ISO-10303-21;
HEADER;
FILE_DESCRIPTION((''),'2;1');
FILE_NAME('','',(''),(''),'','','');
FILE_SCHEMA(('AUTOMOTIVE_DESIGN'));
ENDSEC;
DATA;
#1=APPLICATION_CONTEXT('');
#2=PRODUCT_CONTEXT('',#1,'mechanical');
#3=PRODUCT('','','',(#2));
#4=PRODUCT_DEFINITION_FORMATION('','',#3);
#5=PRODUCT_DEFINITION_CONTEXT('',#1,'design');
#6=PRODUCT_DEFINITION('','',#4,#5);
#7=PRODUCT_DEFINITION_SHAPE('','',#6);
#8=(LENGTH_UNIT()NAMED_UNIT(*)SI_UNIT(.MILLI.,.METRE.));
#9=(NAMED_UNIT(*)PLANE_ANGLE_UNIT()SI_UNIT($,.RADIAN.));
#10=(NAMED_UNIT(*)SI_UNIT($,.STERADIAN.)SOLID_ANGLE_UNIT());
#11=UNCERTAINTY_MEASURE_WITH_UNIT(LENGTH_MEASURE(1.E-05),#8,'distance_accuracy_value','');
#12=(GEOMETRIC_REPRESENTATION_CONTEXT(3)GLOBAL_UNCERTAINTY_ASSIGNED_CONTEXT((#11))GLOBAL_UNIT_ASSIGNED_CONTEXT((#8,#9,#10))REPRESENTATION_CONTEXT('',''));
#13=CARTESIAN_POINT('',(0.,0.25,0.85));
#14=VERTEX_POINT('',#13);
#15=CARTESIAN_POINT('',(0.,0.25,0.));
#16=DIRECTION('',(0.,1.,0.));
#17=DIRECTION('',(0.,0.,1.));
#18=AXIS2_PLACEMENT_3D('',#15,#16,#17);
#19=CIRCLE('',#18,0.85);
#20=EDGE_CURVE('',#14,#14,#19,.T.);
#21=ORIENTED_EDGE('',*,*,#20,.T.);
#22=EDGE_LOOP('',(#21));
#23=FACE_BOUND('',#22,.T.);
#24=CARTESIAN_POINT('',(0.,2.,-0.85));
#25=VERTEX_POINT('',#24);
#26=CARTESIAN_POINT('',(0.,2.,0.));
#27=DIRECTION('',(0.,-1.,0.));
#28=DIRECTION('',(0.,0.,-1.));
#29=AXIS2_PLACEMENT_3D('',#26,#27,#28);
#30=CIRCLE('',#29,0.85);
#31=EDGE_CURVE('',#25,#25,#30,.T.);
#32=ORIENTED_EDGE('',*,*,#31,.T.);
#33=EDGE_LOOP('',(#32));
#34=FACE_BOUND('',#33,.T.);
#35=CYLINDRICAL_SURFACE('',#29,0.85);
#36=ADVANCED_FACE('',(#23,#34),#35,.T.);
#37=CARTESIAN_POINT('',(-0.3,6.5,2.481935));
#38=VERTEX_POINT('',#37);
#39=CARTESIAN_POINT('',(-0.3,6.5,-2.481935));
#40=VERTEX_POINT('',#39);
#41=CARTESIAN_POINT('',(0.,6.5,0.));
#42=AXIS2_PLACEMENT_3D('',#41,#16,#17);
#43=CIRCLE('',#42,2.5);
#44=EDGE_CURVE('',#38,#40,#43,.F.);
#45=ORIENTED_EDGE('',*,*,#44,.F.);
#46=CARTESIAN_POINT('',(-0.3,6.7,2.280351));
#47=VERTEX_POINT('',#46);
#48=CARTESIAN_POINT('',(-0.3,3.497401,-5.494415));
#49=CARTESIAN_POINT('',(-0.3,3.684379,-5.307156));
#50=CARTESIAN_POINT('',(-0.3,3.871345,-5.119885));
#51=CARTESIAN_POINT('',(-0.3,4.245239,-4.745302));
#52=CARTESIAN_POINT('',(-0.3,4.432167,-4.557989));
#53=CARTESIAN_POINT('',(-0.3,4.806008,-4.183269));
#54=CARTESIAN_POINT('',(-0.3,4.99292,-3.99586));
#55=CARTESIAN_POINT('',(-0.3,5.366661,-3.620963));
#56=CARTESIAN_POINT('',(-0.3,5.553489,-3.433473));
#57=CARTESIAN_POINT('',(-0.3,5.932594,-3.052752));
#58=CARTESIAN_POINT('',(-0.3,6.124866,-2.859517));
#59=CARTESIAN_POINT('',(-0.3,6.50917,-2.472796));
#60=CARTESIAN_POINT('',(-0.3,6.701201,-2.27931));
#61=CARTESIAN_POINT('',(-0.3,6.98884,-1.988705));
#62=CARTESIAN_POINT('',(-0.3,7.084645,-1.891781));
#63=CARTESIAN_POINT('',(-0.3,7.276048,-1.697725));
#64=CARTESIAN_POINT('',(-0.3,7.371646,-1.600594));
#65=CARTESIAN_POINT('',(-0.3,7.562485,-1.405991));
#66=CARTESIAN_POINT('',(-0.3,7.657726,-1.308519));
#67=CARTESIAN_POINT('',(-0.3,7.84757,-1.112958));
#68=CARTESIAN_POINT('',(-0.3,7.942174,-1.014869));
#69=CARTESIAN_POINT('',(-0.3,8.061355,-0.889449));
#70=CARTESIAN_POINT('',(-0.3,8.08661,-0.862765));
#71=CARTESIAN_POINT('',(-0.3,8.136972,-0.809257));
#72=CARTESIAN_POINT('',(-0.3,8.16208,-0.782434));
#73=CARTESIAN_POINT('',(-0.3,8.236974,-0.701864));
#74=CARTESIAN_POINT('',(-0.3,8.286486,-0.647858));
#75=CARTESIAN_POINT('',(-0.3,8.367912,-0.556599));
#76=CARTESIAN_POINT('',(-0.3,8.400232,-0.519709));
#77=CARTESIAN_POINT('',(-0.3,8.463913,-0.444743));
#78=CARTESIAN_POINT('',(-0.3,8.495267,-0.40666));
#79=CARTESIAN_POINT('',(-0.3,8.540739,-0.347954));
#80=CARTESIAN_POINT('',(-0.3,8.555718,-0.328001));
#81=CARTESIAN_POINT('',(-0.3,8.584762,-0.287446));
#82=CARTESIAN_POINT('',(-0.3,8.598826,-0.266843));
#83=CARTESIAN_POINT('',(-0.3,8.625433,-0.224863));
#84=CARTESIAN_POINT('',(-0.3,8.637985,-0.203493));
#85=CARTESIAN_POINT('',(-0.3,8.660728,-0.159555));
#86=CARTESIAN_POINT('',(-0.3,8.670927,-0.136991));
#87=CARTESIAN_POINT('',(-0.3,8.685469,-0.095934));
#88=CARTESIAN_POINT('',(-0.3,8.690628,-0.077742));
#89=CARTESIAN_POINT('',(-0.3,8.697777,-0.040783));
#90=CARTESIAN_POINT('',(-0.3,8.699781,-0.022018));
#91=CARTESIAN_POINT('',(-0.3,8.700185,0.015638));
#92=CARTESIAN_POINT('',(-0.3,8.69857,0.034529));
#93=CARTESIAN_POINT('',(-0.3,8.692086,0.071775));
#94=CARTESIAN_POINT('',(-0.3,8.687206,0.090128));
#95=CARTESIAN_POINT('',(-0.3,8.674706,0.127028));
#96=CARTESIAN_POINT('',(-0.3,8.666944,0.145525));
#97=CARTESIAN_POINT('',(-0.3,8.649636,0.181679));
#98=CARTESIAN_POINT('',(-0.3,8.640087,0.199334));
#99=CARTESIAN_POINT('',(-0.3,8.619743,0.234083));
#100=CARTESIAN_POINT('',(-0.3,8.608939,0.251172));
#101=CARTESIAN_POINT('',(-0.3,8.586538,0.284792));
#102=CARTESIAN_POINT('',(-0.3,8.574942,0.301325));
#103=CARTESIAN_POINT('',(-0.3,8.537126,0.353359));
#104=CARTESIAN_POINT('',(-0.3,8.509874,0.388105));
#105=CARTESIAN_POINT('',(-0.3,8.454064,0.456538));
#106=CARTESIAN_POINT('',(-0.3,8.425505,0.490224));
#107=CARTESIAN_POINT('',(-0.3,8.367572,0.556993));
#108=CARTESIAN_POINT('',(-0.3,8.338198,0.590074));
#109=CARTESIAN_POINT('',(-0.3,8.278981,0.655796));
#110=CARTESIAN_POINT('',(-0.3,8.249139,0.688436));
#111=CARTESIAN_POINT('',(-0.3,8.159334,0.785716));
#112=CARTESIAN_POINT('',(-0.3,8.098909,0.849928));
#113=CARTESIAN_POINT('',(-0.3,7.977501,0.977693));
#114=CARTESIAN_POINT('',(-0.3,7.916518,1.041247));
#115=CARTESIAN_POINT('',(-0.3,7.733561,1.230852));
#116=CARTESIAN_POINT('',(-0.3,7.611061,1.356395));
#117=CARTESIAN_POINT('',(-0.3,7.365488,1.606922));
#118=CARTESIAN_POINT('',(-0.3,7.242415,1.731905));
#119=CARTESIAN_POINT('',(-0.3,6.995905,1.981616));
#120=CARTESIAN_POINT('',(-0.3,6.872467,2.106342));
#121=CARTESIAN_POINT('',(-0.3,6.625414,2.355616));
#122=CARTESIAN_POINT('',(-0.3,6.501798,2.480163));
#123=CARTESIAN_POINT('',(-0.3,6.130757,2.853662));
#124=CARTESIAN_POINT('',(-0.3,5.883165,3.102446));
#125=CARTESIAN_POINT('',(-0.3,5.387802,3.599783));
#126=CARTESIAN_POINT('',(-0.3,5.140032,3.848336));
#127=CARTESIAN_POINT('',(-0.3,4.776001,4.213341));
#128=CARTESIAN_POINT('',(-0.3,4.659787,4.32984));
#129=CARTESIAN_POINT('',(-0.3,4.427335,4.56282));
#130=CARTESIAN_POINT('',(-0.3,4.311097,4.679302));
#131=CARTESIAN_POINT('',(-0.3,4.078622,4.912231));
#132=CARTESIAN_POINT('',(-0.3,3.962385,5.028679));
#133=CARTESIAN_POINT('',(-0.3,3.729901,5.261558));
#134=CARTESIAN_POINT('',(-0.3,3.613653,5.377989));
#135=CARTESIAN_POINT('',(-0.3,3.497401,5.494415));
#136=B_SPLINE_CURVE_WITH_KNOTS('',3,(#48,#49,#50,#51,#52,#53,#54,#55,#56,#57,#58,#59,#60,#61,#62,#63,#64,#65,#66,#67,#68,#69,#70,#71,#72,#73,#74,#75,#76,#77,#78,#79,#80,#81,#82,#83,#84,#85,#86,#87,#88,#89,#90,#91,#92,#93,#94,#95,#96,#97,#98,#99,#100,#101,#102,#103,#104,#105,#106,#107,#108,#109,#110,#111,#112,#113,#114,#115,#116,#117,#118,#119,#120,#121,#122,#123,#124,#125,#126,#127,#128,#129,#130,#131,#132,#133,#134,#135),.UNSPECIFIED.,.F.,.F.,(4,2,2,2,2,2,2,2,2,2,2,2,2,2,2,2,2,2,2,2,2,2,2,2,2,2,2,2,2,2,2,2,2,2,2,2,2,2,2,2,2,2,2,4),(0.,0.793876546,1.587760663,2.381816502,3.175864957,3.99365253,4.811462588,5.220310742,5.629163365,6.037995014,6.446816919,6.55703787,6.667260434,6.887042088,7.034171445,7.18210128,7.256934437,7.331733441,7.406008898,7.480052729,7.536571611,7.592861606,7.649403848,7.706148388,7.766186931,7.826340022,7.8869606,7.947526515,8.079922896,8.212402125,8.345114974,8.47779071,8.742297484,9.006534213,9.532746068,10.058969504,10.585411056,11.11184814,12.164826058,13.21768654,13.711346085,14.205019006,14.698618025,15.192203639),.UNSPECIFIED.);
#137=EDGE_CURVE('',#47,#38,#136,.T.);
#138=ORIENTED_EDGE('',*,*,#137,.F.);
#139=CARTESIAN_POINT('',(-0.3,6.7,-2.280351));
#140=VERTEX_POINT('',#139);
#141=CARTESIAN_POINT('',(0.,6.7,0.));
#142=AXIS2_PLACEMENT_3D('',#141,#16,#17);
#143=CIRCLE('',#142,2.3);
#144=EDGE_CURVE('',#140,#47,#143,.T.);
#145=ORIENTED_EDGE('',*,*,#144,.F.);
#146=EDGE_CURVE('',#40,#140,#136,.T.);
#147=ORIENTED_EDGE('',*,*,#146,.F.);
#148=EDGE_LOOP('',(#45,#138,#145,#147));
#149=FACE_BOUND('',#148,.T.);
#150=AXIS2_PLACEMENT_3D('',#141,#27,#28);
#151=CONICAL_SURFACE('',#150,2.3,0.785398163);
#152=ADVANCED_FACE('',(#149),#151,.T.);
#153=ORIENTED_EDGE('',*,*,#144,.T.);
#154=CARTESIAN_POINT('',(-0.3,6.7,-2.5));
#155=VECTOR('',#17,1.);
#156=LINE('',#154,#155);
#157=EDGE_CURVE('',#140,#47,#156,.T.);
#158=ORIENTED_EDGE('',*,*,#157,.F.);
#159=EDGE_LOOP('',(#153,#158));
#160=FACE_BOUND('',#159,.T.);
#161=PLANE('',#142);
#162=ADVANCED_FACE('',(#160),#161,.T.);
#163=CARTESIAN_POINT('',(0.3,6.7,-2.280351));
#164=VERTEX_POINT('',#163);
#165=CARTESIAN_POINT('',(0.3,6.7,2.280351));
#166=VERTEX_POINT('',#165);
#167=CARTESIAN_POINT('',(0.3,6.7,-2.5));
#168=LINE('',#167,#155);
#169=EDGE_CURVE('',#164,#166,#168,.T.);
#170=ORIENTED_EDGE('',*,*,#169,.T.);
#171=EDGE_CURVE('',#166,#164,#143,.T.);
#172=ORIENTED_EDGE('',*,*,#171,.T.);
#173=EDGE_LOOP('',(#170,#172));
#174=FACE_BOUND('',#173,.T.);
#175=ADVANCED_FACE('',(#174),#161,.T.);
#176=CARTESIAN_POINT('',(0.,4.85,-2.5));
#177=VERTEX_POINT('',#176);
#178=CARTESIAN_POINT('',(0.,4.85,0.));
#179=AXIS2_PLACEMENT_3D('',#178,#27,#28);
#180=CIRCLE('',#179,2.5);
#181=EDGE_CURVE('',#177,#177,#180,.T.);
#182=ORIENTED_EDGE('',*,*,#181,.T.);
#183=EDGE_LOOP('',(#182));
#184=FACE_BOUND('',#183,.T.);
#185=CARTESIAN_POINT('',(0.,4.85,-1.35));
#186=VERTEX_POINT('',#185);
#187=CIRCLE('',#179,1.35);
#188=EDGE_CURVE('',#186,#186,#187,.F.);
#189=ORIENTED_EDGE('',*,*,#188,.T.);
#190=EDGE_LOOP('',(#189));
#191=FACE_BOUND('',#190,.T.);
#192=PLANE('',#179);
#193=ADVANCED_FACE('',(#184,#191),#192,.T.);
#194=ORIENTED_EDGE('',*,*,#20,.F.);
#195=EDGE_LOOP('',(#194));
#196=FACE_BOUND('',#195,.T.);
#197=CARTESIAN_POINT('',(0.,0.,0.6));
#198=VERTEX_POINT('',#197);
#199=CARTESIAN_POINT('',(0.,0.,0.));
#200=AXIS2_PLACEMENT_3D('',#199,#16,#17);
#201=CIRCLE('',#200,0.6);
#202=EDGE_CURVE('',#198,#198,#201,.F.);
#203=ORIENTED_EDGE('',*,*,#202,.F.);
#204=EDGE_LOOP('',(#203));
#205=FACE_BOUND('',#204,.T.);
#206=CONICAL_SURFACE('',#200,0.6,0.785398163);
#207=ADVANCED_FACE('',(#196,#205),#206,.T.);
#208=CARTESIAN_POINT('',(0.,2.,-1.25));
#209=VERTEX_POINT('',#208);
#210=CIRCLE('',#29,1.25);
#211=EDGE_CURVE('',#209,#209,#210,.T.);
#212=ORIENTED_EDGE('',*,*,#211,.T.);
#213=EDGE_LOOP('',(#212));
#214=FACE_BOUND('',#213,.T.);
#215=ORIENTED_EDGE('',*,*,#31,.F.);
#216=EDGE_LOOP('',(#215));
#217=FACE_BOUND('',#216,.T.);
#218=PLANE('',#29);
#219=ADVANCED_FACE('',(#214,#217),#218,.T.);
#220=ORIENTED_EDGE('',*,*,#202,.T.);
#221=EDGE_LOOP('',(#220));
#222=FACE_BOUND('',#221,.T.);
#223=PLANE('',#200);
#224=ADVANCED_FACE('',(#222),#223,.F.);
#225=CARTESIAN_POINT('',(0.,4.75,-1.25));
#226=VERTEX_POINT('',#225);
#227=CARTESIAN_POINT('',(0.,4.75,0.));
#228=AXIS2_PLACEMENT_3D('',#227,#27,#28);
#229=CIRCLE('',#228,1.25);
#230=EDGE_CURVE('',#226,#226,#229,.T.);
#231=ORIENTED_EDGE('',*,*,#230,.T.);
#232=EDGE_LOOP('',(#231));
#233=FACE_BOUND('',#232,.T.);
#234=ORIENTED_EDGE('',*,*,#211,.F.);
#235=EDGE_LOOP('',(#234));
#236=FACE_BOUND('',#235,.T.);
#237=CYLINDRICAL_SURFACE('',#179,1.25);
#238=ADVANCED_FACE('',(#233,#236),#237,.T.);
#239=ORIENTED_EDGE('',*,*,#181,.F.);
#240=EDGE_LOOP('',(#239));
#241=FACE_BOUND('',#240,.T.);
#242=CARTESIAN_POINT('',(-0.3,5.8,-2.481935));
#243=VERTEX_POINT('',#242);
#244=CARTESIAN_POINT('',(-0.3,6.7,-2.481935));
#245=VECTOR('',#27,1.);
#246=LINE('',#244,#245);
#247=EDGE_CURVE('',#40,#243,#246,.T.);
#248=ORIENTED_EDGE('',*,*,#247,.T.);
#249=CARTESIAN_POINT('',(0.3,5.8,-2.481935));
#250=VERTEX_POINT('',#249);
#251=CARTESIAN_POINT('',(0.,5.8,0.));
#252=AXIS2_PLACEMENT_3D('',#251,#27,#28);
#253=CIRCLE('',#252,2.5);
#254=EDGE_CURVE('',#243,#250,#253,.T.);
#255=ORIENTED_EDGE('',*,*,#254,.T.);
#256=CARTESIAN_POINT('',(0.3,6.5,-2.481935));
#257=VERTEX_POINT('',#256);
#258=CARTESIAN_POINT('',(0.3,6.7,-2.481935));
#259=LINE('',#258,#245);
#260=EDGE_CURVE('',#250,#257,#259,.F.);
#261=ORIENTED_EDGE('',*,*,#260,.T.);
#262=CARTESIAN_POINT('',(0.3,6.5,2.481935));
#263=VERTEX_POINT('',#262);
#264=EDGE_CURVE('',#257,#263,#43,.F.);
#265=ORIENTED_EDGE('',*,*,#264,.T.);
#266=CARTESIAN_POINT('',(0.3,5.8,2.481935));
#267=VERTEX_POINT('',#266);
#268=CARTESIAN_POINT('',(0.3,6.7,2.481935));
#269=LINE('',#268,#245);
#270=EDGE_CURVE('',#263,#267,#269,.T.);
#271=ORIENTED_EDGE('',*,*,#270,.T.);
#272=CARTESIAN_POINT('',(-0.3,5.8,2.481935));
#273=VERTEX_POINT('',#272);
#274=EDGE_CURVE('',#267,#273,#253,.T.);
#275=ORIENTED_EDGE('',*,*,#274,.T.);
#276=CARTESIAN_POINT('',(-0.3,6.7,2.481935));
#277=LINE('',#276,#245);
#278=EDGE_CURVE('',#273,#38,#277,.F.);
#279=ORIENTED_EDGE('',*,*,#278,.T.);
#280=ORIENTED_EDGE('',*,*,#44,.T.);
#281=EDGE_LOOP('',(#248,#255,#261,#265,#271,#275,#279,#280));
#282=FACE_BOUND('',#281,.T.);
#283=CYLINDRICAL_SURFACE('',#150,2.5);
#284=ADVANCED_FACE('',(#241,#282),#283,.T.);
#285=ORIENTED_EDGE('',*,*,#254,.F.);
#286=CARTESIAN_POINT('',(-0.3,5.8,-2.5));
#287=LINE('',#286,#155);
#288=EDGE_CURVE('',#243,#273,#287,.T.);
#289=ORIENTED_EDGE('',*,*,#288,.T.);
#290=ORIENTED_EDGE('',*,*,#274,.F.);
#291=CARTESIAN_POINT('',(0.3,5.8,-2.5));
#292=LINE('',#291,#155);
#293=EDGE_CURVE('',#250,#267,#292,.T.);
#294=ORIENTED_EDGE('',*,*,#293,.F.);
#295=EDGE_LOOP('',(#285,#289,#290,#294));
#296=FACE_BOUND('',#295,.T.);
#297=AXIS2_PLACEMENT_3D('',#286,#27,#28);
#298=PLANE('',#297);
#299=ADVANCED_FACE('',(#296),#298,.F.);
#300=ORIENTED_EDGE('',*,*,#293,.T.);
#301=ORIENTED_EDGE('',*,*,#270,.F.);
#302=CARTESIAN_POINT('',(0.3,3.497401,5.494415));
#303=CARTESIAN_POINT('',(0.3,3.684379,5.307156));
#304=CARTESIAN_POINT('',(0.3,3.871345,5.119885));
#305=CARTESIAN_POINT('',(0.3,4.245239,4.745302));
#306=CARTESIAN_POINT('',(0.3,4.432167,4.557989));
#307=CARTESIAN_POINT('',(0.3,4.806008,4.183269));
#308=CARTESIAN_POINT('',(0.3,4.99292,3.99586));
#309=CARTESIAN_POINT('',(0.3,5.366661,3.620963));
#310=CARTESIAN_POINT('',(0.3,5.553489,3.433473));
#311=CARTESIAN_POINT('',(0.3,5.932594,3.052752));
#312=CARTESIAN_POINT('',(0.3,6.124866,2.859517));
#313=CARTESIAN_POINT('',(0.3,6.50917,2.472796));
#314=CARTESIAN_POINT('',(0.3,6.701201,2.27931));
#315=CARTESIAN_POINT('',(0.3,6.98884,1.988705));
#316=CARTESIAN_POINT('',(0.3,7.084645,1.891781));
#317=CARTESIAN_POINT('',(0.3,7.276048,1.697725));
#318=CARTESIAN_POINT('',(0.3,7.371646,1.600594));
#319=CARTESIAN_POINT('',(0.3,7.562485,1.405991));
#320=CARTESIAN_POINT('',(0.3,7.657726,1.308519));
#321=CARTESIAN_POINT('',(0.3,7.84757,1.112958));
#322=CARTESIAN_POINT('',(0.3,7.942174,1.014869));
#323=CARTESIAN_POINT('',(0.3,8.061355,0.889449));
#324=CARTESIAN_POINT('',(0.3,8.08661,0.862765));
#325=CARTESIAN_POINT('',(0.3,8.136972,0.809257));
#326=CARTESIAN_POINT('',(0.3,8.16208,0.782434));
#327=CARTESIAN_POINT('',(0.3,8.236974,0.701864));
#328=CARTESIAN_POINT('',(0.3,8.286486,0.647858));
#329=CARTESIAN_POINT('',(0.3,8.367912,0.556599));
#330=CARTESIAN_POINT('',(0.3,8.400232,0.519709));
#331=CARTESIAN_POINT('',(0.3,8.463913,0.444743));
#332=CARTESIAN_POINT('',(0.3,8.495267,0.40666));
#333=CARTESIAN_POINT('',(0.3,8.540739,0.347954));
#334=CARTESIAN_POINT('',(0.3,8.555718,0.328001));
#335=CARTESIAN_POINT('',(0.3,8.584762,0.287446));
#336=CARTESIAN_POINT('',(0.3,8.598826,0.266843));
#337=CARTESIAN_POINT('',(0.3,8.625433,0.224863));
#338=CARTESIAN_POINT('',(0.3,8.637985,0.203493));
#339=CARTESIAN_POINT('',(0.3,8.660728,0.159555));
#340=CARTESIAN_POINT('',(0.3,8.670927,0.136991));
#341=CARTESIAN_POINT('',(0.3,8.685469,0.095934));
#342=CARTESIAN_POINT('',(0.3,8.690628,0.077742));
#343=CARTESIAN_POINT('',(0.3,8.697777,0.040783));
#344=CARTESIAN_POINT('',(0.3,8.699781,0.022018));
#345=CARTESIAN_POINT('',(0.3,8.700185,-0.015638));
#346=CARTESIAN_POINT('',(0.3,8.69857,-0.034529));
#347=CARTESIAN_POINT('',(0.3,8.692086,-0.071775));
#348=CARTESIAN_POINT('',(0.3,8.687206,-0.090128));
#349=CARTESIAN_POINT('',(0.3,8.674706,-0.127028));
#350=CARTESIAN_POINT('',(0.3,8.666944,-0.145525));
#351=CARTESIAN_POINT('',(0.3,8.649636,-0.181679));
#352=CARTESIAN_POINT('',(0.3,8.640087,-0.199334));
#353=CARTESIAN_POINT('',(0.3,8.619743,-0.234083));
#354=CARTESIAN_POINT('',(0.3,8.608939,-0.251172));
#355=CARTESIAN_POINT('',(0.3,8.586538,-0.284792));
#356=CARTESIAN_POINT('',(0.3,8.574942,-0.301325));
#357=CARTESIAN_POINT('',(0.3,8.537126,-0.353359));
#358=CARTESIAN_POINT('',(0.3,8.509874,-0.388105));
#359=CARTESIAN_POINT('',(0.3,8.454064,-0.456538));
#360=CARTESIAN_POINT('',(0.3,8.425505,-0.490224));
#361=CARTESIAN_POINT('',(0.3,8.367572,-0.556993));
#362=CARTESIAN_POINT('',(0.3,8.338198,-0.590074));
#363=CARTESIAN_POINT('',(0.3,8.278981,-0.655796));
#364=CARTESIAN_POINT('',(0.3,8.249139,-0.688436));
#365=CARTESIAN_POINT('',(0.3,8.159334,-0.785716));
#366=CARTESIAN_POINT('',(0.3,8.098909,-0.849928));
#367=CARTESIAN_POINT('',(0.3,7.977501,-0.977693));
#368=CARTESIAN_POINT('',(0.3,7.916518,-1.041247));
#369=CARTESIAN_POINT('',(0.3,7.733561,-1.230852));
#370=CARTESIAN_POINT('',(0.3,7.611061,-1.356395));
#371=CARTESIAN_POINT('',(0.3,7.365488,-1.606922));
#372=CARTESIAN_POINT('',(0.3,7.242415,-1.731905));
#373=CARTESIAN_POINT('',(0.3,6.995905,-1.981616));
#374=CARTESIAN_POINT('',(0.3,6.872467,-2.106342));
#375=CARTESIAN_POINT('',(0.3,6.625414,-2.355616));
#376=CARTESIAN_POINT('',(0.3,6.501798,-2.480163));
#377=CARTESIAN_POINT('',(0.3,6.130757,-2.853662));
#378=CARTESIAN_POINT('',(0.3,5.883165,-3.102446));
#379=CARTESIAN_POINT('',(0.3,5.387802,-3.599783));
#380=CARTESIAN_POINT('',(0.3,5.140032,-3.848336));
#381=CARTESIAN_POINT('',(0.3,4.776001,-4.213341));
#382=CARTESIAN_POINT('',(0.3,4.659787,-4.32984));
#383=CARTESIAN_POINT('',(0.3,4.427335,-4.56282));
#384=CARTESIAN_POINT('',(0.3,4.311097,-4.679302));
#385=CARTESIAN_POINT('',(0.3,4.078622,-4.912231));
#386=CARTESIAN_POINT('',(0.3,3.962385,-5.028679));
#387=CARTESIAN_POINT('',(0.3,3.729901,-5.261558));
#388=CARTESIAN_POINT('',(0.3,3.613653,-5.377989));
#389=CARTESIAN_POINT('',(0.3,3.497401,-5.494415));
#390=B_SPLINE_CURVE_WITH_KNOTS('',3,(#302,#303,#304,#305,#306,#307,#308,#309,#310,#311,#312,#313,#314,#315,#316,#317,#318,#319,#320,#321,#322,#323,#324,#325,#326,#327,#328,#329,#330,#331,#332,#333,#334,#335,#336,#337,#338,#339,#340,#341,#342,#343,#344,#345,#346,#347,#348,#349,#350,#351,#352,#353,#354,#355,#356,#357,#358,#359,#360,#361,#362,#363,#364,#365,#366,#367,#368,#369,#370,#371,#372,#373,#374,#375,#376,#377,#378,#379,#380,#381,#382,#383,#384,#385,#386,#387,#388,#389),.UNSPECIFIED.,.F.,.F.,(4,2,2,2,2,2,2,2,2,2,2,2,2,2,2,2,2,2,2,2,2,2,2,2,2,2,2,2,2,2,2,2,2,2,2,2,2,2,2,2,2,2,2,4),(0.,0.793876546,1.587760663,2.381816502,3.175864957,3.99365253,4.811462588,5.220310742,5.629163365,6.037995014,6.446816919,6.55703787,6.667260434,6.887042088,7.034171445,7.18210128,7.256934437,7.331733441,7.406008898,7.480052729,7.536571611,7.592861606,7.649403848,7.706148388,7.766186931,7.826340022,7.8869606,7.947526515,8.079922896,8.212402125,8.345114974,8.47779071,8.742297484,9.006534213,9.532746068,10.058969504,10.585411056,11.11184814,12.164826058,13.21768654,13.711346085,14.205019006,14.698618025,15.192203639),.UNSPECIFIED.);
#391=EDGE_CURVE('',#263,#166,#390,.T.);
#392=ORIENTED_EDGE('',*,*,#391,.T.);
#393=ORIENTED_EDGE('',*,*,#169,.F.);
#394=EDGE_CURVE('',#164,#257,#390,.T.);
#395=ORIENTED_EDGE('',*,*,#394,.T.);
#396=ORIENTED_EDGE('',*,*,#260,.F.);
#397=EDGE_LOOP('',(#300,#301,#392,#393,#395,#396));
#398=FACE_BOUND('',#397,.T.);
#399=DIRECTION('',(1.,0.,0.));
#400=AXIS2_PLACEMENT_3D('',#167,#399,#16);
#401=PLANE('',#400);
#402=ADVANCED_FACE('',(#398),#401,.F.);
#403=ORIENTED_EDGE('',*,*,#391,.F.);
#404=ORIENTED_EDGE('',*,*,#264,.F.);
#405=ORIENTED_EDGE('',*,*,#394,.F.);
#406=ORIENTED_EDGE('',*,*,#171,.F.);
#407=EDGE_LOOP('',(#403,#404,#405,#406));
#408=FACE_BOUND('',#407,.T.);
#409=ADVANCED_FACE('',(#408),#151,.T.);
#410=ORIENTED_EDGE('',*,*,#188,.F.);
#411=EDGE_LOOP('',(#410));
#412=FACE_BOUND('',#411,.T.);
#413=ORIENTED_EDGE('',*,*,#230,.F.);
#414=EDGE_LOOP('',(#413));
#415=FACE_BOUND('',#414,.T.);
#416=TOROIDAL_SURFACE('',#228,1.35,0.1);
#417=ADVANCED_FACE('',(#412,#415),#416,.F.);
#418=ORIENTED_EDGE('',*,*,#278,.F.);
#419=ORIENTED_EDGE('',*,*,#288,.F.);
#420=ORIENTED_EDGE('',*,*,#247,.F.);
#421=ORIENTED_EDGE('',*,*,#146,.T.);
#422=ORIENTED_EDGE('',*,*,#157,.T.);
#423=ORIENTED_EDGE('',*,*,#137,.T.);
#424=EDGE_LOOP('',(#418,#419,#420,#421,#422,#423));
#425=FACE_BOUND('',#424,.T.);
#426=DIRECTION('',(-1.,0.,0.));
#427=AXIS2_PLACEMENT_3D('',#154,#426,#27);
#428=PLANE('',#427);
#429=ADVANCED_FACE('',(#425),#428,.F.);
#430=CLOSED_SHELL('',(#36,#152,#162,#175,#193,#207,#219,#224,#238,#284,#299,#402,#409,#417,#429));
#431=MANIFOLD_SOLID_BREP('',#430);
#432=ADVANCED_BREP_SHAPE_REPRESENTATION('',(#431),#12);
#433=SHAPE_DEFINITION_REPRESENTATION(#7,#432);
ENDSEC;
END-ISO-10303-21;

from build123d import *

# Parameters (mm, degrees)
SKETCH1_R               = 2.5
BOSS_EXTRUDE1_DEPTH     = 6.7
SKETCH2_OUTSIDE_W       = 8.948
SKETCH2_OUTSIDE_H       = 8.948
SKETCH2_OUTSIDE_R       = 0.85
CUT_EXTRUDE1_DEPTH      = 2
SKETCH3_OUTSIDE_W       = 8.948
SKETCH3_OUTSIDE_H       = 8.948
SKETCH3_OUTSIDE_R       = 1.25
CUT_EXTRUDE2_DEPTH      = 2.85
CHAMFER1_SIZE           = 0.2
SKETCH4_W               = 0.6
SKETCH4_H               = 0.9
CUT_EXTRUDE3_DEPTH      = 3.5
CUT_EXTRUDE3_DEPTH_BACK = 3.5
CHAMFER2_SIZE           = 0.25
FILLET1_R               = 0.1


with BuildPart() as part:
    # Sketch1 → Boss-Extrude1 (new body)
    with BuildSketch(Plane(origin=(0, 0, 0), x_dir=(1, 0, 0), z_dir=(0, 1, 0))):
        Circle(SKETCH1_R)
    extrude(amount=BOSS_EXTRUDE1_DEPTH)

    # Sketch2 outside → Cut-Extrude1 (cut)
    with BuildSketch(Plane.XZ):
        Rectangle(SKETCH2_OUTSIDE_W, SKETCH2_OUTSIDE_H)
        Circle(SKETCH2_OUTSIDE_R, mode=Mode.SUBTRACT)
    extrude(amount=-CUT_EXTRUDE1_DEPTH, mode=Mode.SUBTRACT)

    # Sketch3 outside → Cut-Extrude2 (cut)
    with BuildSketch(Plane.XZ.offset(-2)):
        Rectangle(SKETCH3_OUTSIDE_W, SKETCH3_OUTSIDE_H)
        Circle(SKETCH3_OUTSIDE_R, mode=Mode.SUBTRACT)
    extrude(amount=-CUT_EXTRUDE2_DEPTH, mode=Mode.SUBTRACT)

    # Chamfer1
    chamfer1_edges = [part.edges().sort_by_distance(p)[0] for p in [
        (-2.5, 6.7, 0),
    ]]
    chamfer(chamfer1_edges, length=CHAMFER1_SIZE)

    # Sketch4 → Cut-Extrude3 (cut, two sides)
    with BuildSketch(Plane.XY) as cut_extrude3_sk:
        with Locations((0, 6.25)):
            Rectangle(SKETCH4_W, SKETCH4_H)
    extrude(amount=CUT_EXTRUDE3_DEPTH, mode=Mode.SUBTRACT)
    extrude(cut_extrude3_sk.sketch, amount=-CUT_EXTRUDE3_DEPTH_BACK, mode=Mode.SUBTRACT)

    # Chamfer2
    chamfer2_edges = [part.edges().sort_by_distance(p)[0] for p in [
        (-0.85, 0, 0),
    ]]
    chamfer(chamfer2_edges, length=CHAMFER2_SIZE)

    # Fillet1
    fillet1_edges = [part.edges().sort_by_distance(p)[0] for p in [
        (-1.25, 4.85, 0),
    ]]
    fillet(fillet1_edges, radius=FILLET1_R)


solid = part.part
